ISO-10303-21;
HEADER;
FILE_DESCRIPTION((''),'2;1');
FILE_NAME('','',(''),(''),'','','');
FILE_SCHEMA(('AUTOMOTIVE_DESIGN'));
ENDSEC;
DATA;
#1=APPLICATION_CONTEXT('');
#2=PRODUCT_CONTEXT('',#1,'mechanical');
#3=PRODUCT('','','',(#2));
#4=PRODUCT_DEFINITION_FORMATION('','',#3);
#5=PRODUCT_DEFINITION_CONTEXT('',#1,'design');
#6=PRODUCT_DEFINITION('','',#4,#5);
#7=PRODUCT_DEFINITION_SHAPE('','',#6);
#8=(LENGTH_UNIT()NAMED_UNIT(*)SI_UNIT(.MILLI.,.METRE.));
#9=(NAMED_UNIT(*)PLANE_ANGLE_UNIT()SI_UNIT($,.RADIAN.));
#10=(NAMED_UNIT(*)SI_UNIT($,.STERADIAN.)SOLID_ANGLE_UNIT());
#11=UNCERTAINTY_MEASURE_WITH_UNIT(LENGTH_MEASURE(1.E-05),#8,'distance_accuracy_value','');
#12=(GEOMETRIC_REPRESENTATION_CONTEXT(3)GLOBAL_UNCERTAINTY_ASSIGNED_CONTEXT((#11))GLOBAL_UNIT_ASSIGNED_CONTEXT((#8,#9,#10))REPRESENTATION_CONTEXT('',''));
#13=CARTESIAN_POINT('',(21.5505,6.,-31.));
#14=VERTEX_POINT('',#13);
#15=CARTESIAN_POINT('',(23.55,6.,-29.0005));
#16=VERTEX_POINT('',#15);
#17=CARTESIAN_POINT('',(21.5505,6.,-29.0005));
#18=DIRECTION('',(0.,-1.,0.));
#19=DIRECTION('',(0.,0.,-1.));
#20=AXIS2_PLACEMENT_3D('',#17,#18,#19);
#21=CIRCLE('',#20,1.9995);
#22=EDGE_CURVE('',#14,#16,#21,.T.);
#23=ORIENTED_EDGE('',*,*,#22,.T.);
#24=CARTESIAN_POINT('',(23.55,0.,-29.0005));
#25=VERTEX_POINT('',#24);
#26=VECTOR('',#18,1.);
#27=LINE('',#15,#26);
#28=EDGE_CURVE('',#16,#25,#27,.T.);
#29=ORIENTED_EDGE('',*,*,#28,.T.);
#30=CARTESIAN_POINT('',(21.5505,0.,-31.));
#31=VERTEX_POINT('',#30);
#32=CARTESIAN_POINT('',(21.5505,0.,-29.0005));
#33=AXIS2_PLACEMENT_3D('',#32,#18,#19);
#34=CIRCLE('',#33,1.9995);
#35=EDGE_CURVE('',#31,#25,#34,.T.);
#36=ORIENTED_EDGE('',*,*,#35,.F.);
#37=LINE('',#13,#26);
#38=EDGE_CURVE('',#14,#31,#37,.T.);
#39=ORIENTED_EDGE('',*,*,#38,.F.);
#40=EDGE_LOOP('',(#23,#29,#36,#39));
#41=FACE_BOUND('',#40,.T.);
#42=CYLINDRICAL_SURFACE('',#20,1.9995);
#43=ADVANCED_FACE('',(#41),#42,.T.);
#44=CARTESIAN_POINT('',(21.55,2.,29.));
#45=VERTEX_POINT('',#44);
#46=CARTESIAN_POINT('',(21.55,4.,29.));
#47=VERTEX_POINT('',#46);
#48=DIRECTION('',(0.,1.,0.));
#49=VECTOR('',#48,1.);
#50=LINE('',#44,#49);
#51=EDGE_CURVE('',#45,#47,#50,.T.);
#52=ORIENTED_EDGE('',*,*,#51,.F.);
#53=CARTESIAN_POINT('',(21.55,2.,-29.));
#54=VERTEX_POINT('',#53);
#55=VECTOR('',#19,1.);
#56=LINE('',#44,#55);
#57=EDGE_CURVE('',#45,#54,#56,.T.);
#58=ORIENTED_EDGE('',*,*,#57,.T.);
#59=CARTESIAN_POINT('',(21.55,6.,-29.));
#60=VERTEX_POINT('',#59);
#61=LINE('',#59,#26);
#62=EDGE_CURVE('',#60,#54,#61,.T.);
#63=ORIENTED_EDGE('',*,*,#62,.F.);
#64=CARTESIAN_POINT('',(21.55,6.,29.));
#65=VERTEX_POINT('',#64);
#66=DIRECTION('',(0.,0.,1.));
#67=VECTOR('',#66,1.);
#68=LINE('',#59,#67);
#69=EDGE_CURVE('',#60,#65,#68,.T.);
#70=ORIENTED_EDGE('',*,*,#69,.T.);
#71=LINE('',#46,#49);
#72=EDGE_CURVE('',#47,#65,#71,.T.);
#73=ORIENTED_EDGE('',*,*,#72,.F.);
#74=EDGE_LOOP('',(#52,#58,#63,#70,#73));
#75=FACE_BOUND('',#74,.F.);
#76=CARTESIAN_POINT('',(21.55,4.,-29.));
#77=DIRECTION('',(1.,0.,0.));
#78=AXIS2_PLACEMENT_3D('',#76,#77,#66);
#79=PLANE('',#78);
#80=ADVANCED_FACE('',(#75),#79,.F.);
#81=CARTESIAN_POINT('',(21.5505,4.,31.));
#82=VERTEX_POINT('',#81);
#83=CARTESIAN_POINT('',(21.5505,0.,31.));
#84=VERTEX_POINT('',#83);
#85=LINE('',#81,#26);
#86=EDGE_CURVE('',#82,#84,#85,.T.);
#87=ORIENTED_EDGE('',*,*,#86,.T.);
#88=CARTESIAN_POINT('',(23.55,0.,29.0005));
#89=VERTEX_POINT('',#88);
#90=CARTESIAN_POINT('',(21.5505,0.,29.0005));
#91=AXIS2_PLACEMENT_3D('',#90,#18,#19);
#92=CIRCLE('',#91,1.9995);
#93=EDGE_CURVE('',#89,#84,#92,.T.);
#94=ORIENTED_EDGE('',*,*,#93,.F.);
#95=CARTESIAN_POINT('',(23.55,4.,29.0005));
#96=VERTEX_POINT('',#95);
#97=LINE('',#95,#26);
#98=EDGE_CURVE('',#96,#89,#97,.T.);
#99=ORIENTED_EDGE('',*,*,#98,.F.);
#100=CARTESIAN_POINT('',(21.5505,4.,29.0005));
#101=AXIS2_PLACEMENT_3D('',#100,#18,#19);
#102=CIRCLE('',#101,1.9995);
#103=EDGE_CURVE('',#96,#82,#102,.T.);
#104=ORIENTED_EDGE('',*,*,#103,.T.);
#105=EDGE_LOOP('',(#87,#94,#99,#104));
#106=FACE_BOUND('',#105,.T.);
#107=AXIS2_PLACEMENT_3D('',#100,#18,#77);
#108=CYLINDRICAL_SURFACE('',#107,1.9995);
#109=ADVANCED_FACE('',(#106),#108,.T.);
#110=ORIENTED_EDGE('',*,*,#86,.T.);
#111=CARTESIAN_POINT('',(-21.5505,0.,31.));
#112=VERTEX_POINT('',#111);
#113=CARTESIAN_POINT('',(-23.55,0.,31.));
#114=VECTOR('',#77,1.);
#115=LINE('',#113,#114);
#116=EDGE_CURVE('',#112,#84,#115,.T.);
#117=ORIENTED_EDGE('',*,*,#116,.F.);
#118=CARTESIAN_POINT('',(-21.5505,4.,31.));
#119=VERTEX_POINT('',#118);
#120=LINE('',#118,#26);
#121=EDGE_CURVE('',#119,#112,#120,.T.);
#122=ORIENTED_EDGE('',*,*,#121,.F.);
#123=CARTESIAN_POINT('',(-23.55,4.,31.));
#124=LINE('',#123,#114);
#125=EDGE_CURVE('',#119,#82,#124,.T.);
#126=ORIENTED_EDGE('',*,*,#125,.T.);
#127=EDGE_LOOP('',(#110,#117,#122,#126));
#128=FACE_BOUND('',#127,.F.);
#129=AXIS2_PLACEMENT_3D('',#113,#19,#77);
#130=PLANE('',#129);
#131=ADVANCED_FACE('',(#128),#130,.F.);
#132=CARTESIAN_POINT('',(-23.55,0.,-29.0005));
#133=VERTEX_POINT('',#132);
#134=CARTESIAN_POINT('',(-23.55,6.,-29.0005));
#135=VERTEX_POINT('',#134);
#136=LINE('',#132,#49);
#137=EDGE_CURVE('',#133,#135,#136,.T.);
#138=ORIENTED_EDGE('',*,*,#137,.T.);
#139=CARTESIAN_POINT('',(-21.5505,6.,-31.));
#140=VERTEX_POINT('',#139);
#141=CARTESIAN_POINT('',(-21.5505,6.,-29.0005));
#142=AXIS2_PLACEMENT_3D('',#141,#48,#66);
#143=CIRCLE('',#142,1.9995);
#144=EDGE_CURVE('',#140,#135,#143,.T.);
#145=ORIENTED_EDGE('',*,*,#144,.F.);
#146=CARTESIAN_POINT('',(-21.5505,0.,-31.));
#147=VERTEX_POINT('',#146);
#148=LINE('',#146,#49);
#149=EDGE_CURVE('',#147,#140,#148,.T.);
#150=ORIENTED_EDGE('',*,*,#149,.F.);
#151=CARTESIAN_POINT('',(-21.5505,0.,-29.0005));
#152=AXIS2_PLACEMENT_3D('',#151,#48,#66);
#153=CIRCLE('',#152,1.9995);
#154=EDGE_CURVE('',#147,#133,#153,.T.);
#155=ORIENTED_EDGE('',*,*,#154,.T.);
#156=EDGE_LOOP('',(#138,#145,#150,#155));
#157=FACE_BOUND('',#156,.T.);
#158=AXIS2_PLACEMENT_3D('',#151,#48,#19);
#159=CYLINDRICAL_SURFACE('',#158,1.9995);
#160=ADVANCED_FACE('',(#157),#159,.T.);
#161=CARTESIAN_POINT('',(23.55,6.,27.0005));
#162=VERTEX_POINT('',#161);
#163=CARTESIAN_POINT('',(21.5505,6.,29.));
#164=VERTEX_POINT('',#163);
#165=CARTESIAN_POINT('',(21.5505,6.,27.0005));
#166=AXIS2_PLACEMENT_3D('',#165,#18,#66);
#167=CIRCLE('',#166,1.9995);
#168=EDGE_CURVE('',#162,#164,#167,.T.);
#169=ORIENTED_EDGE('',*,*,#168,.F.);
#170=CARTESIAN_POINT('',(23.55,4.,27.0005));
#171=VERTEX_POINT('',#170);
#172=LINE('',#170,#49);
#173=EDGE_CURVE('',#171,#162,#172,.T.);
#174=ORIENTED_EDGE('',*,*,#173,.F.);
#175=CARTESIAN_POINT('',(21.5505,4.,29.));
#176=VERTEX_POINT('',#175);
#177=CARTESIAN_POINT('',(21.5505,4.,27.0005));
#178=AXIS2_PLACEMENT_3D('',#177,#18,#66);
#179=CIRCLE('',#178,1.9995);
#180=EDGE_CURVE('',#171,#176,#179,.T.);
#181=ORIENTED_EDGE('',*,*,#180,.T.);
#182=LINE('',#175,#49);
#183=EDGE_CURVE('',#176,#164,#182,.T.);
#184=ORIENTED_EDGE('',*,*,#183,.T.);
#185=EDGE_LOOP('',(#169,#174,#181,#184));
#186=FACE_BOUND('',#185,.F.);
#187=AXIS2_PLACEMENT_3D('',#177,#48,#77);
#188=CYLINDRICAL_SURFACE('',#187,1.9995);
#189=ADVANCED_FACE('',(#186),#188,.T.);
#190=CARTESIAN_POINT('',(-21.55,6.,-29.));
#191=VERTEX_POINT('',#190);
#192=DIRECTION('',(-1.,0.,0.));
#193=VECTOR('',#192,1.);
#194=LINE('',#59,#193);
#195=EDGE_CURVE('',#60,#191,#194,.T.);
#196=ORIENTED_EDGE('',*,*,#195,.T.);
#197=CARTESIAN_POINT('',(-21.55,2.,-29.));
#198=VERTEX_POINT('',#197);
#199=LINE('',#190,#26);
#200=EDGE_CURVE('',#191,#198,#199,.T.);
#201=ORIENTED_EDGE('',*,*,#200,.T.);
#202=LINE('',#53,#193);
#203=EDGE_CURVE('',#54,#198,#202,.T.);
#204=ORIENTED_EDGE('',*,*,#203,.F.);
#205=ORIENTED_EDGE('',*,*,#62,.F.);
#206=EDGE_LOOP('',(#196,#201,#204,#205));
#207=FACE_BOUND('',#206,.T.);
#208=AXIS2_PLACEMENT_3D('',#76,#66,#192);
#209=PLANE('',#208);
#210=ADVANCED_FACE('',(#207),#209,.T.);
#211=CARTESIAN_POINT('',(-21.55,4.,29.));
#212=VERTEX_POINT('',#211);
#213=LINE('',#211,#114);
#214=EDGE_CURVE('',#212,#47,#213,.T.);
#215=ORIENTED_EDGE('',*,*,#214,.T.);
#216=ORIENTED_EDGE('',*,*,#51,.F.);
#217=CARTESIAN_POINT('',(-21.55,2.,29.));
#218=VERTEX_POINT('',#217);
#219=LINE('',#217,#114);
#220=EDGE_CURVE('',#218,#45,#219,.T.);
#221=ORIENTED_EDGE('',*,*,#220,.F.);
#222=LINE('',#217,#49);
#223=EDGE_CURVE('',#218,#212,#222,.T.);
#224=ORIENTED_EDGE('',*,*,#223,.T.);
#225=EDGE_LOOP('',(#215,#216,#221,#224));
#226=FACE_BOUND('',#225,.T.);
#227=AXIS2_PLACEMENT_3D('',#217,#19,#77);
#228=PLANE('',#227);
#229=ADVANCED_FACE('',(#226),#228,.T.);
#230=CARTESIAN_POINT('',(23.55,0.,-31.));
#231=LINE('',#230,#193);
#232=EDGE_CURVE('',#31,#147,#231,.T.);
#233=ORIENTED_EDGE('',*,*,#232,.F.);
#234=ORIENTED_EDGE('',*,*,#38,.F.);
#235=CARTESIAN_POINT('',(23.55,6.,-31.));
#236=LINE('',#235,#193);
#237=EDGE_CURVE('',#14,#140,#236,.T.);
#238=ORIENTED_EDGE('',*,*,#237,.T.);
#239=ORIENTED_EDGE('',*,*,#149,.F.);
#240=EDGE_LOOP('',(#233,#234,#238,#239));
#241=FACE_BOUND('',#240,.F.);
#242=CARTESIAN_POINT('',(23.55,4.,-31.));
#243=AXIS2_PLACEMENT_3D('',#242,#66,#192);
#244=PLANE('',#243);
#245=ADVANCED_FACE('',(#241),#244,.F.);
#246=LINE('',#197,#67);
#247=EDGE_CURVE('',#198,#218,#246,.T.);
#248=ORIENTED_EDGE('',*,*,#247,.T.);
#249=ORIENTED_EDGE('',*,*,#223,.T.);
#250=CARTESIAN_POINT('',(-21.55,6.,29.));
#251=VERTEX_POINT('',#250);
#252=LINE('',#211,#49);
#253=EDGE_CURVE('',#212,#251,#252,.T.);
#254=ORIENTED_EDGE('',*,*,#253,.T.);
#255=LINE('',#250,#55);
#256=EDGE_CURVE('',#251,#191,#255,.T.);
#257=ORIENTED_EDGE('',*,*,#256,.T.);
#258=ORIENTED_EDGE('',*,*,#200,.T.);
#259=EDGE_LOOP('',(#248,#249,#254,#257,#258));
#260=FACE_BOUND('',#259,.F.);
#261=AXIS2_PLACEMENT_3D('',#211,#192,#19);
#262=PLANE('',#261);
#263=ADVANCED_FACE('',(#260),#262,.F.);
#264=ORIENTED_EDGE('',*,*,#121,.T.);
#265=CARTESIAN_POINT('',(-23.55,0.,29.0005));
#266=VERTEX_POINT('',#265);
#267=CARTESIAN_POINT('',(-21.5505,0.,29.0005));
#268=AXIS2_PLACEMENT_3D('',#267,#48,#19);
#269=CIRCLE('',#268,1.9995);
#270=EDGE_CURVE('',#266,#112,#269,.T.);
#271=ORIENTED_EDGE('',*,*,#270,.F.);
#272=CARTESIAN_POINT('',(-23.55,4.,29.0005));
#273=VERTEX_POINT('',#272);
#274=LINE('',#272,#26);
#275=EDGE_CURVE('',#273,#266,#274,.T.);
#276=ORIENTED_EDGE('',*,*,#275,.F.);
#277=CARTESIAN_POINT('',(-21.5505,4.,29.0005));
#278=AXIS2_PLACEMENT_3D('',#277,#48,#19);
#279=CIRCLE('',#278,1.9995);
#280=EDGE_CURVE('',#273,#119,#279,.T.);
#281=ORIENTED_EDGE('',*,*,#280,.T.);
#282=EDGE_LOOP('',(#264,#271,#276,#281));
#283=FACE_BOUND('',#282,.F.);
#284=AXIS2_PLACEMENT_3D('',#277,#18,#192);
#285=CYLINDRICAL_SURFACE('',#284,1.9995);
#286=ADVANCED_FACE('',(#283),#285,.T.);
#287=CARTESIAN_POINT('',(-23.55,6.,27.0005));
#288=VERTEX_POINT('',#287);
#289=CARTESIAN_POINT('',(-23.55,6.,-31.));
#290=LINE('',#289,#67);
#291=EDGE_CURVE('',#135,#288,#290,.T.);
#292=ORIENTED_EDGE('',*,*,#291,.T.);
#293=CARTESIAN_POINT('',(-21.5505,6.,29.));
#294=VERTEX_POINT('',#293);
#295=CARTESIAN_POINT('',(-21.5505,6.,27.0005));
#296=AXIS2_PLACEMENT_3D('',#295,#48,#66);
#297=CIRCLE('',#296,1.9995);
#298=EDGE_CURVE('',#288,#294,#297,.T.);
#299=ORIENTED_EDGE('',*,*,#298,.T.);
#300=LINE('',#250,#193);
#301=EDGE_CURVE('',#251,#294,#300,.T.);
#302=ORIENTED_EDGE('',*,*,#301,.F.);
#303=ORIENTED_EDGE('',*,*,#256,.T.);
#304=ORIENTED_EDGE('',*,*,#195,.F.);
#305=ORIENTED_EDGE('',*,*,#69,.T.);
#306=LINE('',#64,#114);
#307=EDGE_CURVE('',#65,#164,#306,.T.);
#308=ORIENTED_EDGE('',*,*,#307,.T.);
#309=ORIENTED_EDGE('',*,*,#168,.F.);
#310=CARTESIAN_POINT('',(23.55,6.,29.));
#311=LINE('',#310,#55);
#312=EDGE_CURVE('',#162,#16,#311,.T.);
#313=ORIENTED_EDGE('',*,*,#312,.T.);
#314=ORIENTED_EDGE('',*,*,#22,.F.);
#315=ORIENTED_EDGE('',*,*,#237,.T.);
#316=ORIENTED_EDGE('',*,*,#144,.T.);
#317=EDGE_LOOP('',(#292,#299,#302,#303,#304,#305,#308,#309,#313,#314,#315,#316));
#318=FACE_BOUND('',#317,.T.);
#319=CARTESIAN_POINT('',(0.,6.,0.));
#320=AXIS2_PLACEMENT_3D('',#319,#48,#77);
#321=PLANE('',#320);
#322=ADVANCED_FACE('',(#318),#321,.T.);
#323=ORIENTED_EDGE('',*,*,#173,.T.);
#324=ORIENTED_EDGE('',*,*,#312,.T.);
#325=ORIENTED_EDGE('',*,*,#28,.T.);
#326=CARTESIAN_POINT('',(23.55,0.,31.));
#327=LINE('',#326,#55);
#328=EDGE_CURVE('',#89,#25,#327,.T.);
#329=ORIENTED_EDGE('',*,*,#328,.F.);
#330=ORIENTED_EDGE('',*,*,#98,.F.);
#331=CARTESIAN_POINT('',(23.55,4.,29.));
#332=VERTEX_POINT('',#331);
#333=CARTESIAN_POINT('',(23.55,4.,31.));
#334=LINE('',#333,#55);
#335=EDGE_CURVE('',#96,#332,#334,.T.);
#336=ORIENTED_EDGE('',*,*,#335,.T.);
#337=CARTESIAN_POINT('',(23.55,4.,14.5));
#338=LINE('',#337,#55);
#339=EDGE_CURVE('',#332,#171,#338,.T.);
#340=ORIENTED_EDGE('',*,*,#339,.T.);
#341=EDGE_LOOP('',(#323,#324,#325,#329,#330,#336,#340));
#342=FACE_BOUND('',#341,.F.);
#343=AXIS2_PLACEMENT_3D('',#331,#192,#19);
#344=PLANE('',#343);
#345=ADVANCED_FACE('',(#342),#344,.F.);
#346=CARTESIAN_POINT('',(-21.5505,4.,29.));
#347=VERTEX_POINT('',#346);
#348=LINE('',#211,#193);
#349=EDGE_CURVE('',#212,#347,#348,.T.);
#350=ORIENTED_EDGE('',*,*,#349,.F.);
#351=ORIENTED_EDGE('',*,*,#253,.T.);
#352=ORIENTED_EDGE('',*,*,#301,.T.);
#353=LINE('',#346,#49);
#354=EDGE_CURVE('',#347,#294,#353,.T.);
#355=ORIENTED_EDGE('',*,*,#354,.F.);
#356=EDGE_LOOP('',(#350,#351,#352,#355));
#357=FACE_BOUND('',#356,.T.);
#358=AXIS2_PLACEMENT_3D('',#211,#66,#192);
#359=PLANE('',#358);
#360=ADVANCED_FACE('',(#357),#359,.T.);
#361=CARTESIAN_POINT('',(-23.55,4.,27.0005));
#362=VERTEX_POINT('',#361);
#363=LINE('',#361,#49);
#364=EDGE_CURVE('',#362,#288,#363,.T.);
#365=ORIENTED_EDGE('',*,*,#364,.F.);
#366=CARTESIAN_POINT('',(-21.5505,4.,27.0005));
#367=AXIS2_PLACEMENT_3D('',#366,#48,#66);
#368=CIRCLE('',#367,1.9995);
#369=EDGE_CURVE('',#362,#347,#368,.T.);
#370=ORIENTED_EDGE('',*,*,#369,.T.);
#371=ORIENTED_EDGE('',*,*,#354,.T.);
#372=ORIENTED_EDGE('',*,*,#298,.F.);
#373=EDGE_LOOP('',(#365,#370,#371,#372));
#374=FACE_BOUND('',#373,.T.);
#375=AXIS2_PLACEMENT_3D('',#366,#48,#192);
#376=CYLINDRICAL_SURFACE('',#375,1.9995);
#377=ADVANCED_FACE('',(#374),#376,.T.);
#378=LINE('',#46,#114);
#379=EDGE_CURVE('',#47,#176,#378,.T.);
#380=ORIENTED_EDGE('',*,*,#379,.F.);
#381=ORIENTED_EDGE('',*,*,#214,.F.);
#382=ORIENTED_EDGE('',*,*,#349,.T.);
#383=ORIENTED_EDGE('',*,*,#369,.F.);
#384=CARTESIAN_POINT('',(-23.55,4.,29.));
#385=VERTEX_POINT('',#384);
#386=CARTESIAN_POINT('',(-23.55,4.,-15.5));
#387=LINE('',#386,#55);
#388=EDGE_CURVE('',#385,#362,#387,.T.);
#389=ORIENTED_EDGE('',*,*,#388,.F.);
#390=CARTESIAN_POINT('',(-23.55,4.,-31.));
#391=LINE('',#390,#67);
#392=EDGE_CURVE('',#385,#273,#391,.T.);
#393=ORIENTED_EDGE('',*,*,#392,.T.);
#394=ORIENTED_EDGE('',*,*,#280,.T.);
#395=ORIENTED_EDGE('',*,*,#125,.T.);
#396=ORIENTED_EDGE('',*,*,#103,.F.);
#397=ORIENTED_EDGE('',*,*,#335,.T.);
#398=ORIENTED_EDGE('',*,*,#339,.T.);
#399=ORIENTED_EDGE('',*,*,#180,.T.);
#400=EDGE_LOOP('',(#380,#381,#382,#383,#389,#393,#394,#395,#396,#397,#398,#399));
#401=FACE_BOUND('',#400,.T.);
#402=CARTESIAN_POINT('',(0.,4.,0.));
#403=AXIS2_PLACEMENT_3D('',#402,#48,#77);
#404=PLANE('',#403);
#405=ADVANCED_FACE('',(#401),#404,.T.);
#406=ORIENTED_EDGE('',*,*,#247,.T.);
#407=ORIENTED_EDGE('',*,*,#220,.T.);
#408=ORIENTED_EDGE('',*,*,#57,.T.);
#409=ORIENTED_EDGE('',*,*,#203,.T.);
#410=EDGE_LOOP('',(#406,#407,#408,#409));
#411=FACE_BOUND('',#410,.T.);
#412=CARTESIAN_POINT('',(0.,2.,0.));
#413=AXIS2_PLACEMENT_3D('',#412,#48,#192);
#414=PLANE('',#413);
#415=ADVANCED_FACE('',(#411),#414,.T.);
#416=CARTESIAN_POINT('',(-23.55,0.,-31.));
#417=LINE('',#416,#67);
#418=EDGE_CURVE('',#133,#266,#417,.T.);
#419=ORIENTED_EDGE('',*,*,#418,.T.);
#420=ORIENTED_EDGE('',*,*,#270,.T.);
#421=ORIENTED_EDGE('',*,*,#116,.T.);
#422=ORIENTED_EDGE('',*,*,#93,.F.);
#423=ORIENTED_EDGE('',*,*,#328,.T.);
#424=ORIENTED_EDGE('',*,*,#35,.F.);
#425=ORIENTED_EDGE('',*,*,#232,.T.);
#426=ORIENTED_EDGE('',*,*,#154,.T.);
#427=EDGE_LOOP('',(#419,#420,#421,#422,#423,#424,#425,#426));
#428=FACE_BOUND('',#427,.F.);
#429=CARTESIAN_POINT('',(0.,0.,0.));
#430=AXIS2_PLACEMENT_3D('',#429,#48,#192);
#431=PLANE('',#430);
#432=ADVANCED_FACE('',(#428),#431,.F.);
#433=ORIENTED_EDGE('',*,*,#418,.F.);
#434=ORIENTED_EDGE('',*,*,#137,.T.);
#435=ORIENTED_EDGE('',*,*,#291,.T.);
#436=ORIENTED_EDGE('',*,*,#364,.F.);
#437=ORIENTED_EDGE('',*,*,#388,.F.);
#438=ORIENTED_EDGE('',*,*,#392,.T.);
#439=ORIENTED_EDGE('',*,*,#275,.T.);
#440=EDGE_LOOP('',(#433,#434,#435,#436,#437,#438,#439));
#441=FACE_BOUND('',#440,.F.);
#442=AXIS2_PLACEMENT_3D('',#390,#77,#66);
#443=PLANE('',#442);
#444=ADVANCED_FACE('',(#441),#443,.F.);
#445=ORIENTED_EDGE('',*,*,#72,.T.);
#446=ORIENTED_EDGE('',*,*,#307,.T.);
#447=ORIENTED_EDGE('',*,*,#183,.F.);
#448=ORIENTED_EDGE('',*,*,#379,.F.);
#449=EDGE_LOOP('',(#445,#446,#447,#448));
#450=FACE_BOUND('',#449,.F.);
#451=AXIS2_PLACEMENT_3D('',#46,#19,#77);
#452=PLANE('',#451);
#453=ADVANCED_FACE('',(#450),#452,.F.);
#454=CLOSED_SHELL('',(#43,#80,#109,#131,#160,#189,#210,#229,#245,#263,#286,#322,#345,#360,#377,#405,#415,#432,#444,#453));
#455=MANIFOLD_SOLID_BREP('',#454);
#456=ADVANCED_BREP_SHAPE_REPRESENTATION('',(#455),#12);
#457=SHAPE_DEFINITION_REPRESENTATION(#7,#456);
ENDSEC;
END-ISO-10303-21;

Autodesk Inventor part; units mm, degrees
ref_plane "YZ Plane" through (0, 0, 0) normal (1, 0, 0) x (0, 1, 0)
ref_plane "XZ Plane" through (0, 0, 0) normal (0, 1, 0) x (-1, 0, 0)
ref_plane "XY Plane" through (0, 0, 0) normal (0, 0, 1) x (1, 0, 0)
sketch "Sketch1" plane through (0, 0, 0) normal (0, 1, 0) x (-1, 0, 0)
  line L0 (-23.55, -31) -> (23.55, -31)
  line L1 (23.55, -31) -> (23.55, 31)
  line L2 (23.55, 31) -> (-23.55, 31)
  line L3 (-23.55, 31) -> (-23.55, -31)
  line L4 (-23.55, -31) -> (23.55, 31) construction
  line L5 (23.55, -31) -> (-23.55, 31) construction
  point P0 (0, 0)
  dimension "d0" = 47.1
  dimension "d1" = 62
extrude "Extrusion1" add sketch "Sketch1" along normal blind 2
sketch "Sketch2" plane through (0, 2, 0) normal (0, 1, 0) x (1, 0, 0)
  line L0 (-23.55, 31) -> (-23.55, -31) projected
  line L1 (23.55, -31) -> (23.55, 31) projected
  line L2 (-23.55, -31) -> (23.55, -31)
  line L3 (23.55, -31) -> (23.55, 31)
  line L4 (23.55, 31) -> (-23.55, 31)
  line L5 (-23.55, 31) -> (-23.55, -31)
  line L6 (-21.55, -29) -> (21.55, -29)
  line L7 (21.55, -29) -> (21.55, 29)
  line L8 (21.55, 29) -> (-21.55, 29)
  line L9 (-21.55, 29) -> (-21.55, -29)
  point P0 (0, 0)
  dimension "d4" = 2
  dimension "d5" = 2
  dimension "d6" = 2
  dimension "d7" = 2
extrude "Extrusion2" add sketch "Sketch2" along normal blind 2
sketch "Sketch3" plane through (0, 4, 0) normal (0, 1, 0) x (1, 0, 0)
  line L0 (-23.55, 31) -> (-23.55, -31) projected
  line L1 (23.55, 31) -> (-23.55, 31)
  line L2 (-23.55, 31) -> (-23.55, -29)
  line L3 (23.55, -29) -> (23.55, 31)
  line L4 (21.55, 29) -> (21.55, -29) projected
  line L5 (-21.55, -29) -> (-21.55, 29) projected
  line L6 (21.55, 29) -> (-21.55, 29)
  line L7 (-21.55, 29) -> (-21.55, -29)
  line L8 (-21.55, -29) -> (21.55, -29)
  line L9 (21.55, -29) -> (21.55, 29)
  line L10 (-21.55, -29) -> (-23.55, -29)
  line L11 (21.55, -29) -> (23.55, -29)
  line L12 (23.55, -31) -> (23.55, 31) projected
  line L13 (-23.55, -31) -> (23.55, -31) projected
  point P0 (0, 0)
extrude "Extrusion3" add sketch "Sketch3" along normal blind 2 contours L1 L3 L11 L4 L6 L5 L10 L0
fillet "Fillet1" radius 2 6 edges at (23.55, 2, 31) (23.55, 3, -31) (-23.55, 3, -31) (-23.55, 5, 29) (23.55, 5, 29) (-23.55, 2, 31)
properties part number "esp_shield_holder"
